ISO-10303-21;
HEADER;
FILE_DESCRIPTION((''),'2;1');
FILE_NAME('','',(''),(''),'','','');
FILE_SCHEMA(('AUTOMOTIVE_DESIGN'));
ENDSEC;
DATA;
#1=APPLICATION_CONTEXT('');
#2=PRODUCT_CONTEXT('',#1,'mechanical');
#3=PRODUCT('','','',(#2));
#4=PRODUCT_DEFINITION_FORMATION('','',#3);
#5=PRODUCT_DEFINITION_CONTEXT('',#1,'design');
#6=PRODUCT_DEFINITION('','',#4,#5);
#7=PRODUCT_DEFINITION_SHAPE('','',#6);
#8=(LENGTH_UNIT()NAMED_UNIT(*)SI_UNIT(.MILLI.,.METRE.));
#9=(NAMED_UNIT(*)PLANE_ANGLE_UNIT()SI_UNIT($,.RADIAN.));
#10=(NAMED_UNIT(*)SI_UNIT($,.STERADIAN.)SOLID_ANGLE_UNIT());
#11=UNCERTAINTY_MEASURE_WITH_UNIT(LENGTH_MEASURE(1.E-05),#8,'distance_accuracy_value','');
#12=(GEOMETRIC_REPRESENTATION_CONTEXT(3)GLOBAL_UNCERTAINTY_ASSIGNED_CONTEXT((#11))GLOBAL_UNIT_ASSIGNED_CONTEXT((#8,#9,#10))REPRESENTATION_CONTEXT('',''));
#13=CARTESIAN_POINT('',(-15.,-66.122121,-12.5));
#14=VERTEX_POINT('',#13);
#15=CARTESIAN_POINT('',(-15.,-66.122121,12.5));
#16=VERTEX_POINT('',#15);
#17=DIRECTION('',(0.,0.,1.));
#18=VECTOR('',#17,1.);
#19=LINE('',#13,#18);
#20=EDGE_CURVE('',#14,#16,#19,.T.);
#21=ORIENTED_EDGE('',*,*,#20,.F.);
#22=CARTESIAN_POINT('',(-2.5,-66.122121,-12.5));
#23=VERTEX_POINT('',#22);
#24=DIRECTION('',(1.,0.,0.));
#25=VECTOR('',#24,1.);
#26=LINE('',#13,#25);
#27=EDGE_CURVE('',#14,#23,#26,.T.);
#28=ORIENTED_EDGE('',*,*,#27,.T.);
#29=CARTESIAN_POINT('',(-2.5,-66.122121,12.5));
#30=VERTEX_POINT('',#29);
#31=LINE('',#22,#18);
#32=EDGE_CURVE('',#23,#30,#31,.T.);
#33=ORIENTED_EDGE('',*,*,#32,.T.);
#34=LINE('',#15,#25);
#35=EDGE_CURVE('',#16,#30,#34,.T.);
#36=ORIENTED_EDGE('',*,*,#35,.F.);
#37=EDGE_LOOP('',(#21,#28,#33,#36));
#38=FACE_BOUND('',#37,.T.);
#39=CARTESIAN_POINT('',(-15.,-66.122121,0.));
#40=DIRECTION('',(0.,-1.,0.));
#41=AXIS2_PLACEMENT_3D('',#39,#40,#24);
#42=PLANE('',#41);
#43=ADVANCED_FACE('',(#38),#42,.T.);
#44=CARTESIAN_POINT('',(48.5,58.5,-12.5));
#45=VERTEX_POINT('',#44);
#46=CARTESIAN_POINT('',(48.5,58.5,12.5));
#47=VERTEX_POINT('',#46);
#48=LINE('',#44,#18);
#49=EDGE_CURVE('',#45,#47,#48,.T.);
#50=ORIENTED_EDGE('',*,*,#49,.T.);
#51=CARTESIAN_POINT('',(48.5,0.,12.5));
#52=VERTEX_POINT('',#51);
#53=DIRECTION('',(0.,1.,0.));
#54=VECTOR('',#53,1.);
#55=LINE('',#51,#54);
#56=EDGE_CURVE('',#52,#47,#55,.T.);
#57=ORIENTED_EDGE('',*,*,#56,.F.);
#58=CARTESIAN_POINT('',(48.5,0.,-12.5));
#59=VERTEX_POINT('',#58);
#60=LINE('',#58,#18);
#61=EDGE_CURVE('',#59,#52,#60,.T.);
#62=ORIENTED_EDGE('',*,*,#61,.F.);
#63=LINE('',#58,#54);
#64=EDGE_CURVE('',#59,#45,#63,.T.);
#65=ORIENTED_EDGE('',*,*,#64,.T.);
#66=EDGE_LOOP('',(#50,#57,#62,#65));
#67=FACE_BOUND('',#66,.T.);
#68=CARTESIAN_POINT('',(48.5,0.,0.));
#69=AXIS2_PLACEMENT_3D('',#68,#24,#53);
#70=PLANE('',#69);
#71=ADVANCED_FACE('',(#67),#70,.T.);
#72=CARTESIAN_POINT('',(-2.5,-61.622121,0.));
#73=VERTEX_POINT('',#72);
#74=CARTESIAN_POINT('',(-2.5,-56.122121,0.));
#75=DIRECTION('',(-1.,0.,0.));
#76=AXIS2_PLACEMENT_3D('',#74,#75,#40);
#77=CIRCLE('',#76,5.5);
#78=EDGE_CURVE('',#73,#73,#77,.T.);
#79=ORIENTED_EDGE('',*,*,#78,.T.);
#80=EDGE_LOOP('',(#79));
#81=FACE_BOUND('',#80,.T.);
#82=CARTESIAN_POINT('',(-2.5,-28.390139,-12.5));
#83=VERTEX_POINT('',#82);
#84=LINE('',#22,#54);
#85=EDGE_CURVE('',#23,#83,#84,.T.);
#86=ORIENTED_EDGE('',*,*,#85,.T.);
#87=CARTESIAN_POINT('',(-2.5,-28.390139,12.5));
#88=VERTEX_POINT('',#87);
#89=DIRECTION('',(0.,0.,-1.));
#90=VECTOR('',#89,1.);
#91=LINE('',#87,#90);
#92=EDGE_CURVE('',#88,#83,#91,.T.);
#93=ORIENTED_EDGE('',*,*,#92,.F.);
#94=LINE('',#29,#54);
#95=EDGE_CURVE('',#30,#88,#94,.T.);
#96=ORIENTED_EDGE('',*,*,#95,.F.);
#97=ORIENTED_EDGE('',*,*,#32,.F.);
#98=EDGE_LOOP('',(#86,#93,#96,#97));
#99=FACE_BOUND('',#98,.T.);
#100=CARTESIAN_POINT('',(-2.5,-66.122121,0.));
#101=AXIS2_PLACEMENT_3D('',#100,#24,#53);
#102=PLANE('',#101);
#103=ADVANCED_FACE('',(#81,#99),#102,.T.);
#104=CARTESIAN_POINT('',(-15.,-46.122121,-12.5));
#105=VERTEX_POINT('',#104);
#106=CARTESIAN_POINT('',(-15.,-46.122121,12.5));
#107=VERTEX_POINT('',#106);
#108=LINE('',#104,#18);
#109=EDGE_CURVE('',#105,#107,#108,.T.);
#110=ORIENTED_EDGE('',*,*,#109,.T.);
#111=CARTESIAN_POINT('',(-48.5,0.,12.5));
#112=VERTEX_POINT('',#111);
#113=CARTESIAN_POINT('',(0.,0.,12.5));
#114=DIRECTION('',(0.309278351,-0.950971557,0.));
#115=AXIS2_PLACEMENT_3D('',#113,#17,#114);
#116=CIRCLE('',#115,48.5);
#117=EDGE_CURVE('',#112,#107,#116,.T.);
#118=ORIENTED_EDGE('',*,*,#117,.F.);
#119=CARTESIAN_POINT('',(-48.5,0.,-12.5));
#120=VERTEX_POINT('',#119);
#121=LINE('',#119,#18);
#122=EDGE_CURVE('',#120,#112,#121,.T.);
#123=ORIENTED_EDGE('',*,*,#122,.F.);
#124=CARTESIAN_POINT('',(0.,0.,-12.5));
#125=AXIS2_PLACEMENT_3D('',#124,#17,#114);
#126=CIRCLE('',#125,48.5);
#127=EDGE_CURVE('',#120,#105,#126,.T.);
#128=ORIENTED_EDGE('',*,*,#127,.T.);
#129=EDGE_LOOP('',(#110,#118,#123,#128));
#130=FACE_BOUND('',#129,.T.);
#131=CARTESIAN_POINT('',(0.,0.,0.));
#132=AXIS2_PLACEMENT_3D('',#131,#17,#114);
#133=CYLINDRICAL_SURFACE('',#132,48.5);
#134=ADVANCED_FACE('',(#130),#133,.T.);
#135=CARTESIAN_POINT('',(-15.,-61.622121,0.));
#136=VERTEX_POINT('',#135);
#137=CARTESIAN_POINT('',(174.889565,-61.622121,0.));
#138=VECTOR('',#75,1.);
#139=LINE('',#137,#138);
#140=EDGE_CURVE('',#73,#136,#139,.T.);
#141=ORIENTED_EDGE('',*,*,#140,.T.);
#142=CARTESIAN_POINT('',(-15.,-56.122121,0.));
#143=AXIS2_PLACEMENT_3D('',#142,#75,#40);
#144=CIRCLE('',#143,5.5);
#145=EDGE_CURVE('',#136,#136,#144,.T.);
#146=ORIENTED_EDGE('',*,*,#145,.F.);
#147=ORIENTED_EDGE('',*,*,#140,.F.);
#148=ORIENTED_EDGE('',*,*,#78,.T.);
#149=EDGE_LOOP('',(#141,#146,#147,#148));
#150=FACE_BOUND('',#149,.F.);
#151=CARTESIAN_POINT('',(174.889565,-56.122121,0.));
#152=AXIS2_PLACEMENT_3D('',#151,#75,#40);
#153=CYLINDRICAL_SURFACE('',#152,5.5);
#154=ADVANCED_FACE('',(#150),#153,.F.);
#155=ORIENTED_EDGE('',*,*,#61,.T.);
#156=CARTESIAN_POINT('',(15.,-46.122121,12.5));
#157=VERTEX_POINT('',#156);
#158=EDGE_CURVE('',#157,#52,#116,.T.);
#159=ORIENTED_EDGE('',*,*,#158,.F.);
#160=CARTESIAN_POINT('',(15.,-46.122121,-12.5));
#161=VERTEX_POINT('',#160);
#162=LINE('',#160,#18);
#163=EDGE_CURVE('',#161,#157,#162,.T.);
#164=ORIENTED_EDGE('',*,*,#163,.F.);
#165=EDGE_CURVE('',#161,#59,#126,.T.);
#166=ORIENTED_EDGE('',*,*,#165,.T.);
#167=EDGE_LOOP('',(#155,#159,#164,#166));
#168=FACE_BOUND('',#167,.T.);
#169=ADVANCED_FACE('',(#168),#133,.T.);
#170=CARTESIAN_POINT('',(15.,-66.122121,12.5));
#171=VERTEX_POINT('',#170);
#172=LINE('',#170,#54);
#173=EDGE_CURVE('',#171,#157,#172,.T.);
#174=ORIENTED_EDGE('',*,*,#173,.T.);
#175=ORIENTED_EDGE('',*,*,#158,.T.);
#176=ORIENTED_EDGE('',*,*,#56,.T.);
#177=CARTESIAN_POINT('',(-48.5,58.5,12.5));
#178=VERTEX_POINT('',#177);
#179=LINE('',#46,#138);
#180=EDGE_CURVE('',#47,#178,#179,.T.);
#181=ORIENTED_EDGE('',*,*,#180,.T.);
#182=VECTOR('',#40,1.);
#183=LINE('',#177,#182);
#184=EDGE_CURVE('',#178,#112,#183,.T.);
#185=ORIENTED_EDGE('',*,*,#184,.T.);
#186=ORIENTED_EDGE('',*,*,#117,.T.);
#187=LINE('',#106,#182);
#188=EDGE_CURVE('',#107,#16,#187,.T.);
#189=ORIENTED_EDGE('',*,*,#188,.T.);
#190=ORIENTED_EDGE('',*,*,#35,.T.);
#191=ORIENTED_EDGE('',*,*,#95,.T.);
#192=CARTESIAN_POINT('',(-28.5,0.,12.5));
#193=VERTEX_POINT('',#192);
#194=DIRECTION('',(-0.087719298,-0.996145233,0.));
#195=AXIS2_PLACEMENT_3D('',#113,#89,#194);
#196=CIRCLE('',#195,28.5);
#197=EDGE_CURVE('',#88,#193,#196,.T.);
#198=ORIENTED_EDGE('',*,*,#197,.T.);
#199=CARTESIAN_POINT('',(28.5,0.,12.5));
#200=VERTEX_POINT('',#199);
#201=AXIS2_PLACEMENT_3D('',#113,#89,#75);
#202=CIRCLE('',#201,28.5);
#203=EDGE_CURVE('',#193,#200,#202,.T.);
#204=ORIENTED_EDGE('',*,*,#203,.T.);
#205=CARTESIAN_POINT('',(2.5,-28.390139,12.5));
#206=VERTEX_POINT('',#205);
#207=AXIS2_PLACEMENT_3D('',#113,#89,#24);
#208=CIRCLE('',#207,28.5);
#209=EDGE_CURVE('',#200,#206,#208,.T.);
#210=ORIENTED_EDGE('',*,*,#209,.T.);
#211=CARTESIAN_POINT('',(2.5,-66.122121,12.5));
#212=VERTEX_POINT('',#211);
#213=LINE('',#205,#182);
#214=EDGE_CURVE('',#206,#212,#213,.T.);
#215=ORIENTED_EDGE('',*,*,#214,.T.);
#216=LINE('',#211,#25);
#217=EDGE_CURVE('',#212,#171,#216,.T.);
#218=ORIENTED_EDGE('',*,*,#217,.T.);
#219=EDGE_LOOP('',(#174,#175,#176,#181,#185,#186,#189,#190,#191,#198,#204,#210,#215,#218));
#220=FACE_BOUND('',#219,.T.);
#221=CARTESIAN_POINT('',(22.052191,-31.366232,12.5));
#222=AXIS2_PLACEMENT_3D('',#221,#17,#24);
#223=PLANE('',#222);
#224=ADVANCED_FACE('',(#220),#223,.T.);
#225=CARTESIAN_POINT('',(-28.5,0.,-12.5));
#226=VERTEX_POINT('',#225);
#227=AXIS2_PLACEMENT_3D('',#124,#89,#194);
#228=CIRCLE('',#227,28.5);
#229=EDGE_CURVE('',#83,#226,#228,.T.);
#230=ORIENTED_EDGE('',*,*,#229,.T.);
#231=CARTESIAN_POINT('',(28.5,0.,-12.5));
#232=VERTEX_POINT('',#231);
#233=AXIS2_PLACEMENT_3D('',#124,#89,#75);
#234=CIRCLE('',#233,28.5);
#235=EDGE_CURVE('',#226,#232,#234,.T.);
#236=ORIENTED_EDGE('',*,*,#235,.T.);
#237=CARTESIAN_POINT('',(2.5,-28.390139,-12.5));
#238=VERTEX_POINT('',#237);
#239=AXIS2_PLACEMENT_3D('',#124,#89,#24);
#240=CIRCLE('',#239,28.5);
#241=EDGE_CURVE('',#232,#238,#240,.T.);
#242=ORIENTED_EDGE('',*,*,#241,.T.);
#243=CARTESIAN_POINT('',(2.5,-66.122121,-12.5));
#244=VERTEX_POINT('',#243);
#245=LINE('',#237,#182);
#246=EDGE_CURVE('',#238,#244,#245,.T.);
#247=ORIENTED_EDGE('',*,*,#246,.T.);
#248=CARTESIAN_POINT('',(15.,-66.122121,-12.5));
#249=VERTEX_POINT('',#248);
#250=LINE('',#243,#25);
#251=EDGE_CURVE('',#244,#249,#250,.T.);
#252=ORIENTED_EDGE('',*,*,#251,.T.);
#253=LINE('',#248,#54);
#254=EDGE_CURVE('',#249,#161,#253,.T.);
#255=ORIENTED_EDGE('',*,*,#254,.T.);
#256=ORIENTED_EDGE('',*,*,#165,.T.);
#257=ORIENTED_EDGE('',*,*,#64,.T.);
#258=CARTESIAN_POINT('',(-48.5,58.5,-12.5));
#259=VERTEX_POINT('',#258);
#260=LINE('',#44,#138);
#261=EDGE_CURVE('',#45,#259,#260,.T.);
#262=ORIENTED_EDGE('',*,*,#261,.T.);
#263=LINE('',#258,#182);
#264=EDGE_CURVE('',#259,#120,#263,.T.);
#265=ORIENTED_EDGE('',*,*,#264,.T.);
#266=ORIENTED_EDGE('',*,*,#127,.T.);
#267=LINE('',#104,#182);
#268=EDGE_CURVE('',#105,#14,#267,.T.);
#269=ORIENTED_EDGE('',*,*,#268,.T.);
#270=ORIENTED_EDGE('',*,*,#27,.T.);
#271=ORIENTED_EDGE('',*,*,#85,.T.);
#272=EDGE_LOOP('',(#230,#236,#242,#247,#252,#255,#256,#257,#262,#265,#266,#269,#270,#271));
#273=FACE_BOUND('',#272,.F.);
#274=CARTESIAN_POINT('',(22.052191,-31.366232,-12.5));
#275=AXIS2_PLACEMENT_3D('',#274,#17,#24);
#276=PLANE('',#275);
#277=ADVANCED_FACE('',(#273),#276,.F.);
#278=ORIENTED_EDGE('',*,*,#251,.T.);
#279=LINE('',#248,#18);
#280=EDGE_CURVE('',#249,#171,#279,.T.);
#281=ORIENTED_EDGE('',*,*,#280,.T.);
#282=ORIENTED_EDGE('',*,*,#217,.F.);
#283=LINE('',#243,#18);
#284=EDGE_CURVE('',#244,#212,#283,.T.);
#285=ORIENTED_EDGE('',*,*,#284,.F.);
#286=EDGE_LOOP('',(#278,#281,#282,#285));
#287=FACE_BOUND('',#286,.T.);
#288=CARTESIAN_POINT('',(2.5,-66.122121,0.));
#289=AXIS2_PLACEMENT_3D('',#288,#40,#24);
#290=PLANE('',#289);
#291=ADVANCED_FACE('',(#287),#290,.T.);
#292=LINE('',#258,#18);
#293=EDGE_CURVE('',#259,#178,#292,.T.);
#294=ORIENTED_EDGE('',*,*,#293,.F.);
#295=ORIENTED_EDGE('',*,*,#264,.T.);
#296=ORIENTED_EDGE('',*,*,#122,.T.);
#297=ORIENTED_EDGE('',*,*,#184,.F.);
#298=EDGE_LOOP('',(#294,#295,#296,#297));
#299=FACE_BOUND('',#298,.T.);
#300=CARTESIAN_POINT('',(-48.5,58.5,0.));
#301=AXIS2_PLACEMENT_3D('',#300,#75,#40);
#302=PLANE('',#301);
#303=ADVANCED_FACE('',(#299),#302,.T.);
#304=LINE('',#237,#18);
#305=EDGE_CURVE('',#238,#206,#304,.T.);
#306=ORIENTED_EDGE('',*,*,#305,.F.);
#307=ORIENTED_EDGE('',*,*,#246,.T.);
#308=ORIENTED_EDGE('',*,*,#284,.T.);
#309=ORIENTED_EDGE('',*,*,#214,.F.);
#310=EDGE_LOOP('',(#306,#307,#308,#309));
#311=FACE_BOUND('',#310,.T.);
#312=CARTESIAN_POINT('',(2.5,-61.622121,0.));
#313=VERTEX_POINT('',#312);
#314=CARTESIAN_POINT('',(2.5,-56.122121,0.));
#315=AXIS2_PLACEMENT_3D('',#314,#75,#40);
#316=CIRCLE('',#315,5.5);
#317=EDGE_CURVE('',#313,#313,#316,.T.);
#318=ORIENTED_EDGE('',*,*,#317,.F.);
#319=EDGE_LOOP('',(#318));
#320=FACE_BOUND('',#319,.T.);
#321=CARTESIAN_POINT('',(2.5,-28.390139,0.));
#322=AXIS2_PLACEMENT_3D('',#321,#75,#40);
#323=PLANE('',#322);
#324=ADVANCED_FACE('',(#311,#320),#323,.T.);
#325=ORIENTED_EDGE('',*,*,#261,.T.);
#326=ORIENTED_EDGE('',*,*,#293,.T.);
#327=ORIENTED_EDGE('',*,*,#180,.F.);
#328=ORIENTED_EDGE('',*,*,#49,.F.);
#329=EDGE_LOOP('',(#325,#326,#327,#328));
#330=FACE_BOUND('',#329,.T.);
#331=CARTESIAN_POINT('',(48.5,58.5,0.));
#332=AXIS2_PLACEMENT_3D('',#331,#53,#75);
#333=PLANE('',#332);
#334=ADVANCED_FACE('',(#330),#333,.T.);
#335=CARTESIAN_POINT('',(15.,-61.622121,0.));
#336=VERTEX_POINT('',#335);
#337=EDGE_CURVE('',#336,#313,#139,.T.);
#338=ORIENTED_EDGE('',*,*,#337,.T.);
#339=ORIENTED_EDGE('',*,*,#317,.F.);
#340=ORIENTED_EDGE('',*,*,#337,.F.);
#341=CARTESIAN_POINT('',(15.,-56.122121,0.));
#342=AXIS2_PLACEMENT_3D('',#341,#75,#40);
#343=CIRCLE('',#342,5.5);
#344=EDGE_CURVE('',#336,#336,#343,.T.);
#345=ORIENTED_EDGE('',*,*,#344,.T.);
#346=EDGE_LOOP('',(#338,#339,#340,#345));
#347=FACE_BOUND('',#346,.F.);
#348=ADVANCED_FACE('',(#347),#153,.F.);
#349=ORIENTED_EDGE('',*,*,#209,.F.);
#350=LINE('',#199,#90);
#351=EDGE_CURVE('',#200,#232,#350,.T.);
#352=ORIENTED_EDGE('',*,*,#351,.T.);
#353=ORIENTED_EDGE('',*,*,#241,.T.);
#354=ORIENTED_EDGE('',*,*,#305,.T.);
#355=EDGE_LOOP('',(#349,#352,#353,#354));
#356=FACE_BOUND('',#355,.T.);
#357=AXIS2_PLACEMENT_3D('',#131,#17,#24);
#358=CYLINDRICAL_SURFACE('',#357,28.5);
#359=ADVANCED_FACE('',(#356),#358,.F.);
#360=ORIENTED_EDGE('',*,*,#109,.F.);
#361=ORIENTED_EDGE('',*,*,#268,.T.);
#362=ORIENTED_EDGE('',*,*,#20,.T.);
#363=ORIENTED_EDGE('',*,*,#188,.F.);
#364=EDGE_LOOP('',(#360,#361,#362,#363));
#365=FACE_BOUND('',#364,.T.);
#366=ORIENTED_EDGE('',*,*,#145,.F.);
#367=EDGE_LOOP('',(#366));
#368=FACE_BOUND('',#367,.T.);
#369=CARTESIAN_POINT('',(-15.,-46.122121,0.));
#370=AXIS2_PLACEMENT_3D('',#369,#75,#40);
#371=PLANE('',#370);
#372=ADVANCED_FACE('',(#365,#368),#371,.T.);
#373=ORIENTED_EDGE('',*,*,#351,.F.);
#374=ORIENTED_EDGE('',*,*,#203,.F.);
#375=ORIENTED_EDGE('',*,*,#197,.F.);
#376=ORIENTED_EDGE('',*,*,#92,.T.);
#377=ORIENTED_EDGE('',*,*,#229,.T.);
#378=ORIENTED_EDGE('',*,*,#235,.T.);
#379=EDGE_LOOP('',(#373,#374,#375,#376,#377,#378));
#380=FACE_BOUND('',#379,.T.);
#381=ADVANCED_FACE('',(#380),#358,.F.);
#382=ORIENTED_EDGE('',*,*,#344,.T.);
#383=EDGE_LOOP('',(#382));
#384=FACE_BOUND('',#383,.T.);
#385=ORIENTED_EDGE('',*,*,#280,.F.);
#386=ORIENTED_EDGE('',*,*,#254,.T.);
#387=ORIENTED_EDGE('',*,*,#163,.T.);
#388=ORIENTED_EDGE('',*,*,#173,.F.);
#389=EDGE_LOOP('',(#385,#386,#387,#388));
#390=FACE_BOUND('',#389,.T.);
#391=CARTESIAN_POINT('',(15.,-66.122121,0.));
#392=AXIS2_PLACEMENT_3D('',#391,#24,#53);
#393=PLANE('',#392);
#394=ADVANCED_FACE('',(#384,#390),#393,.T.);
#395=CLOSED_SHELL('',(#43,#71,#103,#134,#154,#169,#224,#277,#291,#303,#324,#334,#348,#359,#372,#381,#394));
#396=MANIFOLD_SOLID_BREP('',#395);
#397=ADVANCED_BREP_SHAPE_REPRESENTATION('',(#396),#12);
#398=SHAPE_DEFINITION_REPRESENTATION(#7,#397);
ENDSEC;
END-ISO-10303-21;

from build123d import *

# Parameters (mm, degrees)
F1_DEPTH = 12.5
F3_D     = 11


with BuildPart() as f1:
    # F0 (on Top) → F1 (new body, symmetric)
    with BuildSketch(Plane.XY):
        with BuildLine():
            ThreePointArc((28.5, 0), (21.017849557, -19.2483765549), (2.5, -28.3901391332))
            Line((2.5, -28.3901391332), (2.5, -66.1221205063))
            Line((2.5, -66.1221205063), (15, -66.1221205063))
            Line((15, -66.1221205063), (15, -46.1221205063))
            ThreePointArc((15, -46.1221205063), (39.2412410609, -28.5021928981), (48.5, 0))
            Line((48.5, 0), (28.5, 0))
        make_face()
        with BuildLine():
            ThreePointArc((-28.5, 0), (0, 28.5), (28.5, 0))
            Line((28.5, 0), (48.5, 0))
            ThreePointArc((48.5, 0), (0, 48.5), (-48.5, 0))
            Line((-48.5, 0), (-28.5, 0))
        make_face()
        with BuildLine():
            ThreePointArc((-2.5, -28.3901391332), (-21.017849557, -19.2483765549), (-28.5, 0))
            Line((-28.5, 0), (-48.5, 0))
            ThreePointArc((-48.5, 0), (-39.2412410609, -28.5021928981), (-15, -46.1221205063))
            Line((-15, -46.1221205063), (-15, -66.1221205063))
            Line((-15, -66.1221205063), (-2.5, -66.1221205063))
            Line((-2.5, -66.1221205063), (-2.5, -28.3901391332))
        make_face()
        with BuildLine():
            ThreePointArc((-48.5, 0), (0, 48.5), (48.5, 0))
            Line((48.5, 0), (48.5, 58.5))
            Line((48.5, 58.5), (-48.5, 58.5))
            Line((-48.5, 58.5), (-48.5, 0))
        make_face()
    extrude(amount=F1_DEPTH, both=True)

    # F3 (through all)
    with Locations(Plane.YZ.offset(15)):
        with Locations((-56.1221205063, 0)):
            Hole(F3_D / 2)


solid = f1.part
